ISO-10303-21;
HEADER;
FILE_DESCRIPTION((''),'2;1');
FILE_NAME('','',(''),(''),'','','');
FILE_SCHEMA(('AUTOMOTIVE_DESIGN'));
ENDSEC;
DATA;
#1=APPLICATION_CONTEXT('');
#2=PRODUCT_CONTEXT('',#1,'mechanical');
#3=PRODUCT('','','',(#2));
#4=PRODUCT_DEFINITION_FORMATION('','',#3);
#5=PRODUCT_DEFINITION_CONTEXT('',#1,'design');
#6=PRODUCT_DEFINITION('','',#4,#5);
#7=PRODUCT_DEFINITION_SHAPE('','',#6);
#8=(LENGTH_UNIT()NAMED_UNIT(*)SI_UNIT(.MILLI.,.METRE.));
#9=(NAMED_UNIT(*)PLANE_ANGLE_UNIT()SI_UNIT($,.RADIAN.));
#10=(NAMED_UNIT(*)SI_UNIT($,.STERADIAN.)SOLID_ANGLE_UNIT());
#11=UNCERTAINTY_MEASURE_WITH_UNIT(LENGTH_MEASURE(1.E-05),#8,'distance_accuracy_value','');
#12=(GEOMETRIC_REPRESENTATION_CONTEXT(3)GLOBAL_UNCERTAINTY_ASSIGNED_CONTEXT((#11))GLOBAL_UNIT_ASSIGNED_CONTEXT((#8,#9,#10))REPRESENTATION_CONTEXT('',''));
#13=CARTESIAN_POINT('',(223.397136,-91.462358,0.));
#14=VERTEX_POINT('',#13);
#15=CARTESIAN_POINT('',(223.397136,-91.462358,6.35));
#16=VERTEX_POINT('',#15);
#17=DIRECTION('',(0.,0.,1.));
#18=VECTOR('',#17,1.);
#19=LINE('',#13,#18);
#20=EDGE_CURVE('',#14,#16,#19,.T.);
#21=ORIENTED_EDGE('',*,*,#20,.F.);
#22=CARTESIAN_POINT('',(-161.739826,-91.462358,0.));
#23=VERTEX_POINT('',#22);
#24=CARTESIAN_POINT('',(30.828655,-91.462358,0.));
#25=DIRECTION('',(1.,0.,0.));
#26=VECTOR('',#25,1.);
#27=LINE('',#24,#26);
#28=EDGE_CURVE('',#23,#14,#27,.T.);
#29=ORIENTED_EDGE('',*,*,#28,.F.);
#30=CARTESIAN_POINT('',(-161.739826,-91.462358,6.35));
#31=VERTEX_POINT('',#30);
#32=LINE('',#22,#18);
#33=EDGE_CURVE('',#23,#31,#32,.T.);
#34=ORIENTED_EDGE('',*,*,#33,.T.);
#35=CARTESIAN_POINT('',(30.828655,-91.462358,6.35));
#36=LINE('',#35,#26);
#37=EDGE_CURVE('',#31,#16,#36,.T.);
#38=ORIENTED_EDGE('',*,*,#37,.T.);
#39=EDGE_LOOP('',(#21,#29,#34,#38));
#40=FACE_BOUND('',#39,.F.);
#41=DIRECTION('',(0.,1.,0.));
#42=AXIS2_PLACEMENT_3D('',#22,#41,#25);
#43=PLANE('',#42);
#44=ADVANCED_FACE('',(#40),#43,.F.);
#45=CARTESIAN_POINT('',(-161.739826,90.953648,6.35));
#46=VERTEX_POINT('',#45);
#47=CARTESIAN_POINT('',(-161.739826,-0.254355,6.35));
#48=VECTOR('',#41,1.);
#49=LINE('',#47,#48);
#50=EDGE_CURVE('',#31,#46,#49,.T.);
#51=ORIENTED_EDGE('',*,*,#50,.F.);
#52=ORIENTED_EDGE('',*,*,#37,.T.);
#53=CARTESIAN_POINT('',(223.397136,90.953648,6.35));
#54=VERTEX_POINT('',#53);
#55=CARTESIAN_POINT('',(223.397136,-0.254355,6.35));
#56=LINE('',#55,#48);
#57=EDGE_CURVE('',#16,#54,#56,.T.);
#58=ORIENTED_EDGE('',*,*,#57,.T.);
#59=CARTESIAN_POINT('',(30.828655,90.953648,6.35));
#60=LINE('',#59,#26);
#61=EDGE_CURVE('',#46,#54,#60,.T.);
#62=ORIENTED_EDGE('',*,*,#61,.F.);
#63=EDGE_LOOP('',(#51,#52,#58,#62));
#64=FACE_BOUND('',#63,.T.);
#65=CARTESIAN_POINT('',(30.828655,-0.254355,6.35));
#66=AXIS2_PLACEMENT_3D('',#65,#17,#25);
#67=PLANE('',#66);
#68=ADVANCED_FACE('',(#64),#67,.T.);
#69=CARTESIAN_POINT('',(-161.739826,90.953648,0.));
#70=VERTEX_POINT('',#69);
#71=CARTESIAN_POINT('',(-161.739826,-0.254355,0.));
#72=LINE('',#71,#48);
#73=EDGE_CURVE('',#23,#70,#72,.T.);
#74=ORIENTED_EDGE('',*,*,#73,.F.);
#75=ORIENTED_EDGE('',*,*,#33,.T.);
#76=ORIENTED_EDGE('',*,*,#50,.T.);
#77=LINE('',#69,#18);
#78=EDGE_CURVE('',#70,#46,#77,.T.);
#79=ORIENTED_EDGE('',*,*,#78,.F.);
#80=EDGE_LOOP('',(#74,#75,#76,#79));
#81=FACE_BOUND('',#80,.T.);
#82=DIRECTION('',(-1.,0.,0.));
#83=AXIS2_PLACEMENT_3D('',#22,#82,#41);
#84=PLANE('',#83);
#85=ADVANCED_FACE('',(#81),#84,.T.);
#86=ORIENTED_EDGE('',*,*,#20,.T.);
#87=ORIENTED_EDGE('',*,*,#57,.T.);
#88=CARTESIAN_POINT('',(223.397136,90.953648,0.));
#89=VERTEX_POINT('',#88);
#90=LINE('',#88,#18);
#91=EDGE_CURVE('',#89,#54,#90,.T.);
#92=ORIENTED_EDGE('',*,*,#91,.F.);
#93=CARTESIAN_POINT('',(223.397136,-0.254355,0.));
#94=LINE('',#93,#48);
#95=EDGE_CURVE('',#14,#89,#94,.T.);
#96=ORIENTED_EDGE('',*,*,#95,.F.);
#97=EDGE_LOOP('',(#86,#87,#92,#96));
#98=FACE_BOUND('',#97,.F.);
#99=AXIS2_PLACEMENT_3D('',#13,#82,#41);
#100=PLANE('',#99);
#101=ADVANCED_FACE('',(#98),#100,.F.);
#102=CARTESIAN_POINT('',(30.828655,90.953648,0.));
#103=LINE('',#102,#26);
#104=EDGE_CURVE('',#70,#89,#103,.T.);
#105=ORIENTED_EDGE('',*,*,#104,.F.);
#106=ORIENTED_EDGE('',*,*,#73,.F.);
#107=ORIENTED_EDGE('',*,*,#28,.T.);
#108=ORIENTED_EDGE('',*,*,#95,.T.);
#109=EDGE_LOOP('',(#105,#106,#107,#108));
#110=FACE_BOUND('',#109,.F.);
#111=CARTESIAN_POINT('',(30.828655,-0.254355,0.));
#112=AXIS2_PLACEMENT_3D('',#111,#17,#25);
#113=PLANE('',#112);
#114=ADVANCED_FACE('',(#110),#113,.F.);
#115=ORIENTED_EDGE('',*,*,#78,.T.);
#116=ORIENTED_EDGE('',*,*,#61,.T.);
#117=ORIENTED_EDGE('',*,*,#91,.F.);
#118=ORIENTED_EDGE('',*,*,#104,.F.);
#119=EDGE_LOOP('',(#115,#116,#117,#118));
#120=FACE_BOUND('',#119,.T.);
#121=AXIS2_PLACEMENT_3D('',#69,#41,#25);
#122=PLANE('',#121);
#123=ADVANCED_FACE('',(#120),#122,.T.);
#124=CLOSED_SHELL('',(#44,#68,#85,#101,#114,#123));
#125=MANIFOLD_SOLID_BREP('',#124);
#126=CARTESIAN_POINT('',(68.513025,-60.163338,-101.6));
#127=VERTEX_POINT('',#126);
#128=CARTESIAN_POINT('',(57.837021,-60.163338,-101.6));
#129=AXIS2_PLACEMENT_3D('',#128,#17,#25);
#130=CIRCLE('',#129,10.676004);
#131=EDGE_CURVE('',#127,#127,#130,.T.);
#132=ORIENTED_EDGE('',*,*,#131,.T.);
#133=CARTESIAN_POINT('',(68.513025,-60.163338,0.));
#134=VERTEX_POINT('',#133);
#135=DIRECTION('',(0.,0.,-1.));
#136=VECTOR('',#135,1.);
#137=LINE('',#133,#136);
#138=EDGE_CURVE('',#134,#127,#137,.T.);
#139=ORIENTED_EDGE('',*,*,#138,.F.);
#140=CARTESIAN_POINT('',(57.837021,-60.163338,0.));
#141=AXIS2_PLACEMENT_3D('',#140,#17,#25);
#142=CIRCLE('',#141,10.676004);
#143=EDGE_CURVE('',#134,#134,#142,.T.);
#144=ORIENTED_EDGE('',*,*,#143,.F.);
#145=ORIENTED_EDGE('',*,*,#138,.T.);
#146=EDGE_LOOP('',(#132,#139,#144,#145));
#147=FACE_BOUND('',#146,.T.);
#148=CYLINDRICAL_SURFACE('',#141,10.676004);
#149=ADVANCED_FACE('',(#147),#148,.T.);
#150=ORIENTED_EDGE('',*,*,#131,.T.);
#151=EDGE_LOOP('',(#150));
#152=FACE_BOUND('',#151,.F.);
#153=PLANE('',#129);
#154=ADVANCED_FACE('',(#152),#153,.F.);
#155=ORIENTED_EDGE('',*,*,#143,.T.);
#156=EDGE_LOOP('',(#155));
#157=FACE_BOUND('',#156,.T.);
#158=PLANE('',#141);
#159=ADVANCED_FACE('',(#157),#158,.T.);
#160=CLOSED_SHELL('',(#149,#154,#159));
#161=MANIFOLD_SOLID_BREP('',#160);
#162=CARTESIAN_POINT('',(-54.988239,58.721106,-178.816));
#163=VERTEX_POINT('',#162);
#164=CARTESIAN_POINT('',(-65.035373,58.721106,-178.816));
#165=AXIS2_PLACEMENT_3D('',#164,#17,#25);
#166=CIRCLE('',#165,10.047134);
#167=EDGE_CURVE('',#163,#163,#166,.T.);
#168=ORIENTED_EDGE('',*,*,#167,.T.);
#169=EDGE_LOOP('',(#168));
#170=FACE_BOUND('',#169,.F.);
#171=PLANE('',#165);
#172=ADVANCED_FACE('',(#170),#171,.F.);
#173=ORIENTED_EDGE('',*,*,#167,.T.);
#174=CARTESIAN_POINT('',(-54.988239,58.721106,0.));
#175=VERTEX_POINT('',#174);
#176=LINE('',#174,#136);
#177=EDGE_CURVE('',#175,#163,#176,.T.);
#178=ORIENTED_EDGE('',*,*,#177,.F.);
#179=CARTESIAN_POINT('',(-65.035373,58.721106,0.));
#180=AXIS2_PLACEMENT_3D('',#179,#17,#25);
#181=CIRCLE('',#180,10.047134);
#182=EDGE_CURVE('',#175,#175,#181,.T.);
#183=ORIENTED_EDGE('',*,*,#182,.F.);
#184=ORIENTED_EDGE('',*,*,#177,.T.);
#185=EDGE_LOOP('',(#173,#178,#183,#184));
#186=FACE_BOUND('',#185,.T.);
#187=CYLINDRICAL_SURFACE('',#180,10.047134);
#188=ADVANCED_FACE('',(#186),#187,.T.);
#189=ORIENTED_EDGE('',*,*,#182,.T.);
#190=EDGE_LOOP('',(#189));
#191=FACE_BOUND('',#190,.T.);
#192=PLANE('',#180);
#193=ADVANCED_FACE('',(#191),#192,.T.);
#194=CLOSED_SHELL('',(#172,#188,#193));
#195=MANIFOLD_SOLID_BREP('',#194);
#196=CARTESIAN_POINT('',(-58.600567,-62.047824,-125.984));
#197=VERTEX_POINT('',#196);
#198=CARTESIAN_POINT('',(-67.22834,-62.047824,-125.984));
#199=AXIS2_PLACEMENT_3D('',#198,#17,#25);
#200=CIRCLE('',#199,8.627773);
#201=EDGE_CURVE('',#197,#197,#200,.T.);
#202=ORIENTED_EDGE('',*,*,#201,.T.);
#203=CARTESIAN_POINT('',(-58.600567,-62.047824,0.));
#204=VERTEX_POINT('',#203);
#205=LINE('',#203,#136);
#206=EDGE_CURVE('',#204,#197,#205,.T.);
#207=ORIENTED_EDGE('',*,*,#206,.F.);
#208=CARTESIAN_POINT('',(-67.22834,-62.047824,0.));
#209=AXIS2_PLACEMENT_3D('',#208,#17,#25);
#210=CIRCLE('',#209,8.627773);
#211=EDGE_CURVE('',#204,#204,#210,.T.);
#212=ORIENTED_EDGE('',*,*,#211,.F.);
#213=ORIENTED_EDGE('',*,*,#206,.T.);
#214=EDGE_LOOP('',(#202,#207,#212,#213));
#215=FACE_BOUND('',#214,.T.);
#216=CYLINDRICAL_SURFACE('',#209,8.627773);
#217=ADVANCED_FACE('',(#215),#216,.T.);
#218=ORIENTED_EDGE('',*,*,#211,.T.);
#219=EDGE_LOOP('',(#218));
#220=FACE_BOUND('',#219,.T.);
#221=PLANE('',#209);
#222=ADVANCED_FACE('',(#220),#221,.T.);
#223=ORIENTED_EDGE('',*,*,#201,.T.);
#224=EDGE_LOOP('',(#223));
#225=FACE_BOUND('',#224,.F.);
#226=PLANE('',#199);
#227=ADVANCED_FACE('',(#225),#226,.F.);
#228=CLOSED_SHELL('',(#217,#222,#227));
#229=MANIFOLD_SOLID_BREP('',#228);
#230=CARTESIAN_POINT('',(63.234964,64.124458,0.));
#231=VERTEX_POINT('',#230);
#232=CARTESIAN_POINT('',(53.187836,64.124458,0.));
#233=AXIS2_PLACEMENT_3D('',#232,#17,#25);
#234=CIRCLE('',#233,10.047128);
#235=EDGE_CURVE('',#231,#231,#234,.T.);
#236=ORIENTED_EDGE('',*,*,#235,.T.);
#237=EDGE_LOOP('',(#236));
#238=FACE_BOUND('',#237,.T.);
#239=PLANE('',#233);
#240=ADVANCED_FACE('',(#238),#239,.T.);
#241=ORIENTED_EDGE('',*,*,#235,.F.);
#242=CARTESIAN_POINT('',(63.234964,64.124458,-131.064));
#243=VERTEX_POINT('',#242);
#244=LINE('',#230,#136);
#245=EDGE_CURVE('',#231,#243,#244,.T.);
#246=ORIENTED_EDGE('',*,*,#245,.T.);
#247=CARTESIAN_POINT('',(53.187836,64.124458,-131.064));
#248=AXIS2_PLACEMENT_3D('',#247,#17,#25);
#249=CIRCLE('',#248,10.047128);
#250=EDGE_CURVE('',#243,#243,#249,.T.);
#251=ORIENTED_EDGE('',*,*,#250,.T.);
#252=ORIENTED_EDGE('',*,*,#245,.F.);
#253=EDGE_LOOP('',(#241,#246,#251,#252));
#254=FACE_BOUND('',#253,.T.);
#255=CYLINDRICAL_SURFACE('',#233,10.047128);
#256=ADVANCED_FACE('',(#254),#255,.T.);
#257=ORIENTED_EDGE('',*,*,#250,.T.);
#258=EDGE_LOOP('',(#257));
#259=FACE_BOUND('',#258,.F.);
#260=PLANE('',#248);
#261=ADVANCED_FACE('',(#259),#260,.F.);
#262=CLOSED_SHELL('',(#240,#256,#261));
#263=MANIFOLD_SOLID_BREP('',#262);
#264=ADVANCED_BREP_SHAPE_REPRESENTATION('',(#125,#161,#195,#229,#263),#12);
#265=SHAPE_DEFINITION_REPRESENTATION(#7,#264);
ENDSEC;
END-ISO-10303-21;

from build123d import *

# Parameters (mm, degrees)
F0_R     = 10.047134
F1_DEPTH = 178.816
F2_R     = 10.047128
F3_DEPTH = 131.064
F4_R     = 8.627773
F5_DEPTH = 125.984
F6_R     = 10.676004
F7_DEPTH = 101.6
F8_W     = 385.136962
F8_H     = 182.416007
F9_DEPTH = 6.35


with BuildPart() as f1:
    # F0 (on Top) → F1 (new body)
    with BuildSketch(Plane.XY):
        with Locations((-65.035373, 58.721106)):
            Circle(F0_R)
    extrude(amount=-F1_DEPTH)


with BuildPart() as f3:
    # F2 (on Top) → F3 (new body)
    with BuildSketch(Plane.XY):
        with Locations((53.187836, 64.124458)):
            Circle(F2_R)
    extrude(amount=-F3_DEPTH)


with BuildPart() as f5:
    # F4 (on Top) → F5 (new body)
    with BuildSketch(Plane.XY):
        with Locations((-67.22834, -62.047824)):
            Circle(F4_R)
    extrude(amount=-F5_DEPTH)


with BuildPart() as f7:
    # F6 (on Top) → F7 (new body)
    with BuildSketch(Plane.XY):
        with Locations((57.837021, -60.163338)):
            Circle(F6_R)
    extrude(amount=-F7_DEPTH)


with BuildPart() as f9:
    # F8 (on Top) → F9 (new body)
    with BuildSketch(Plane.XY):
        with Locations((30.828655, -0.254355)):
            Rectangle(F8_W, F8_H)
    extrude(amount=F9_DEPTH)


solid = Compound([f1.part, f3.part, f5.part, f7.part, f9.part])
